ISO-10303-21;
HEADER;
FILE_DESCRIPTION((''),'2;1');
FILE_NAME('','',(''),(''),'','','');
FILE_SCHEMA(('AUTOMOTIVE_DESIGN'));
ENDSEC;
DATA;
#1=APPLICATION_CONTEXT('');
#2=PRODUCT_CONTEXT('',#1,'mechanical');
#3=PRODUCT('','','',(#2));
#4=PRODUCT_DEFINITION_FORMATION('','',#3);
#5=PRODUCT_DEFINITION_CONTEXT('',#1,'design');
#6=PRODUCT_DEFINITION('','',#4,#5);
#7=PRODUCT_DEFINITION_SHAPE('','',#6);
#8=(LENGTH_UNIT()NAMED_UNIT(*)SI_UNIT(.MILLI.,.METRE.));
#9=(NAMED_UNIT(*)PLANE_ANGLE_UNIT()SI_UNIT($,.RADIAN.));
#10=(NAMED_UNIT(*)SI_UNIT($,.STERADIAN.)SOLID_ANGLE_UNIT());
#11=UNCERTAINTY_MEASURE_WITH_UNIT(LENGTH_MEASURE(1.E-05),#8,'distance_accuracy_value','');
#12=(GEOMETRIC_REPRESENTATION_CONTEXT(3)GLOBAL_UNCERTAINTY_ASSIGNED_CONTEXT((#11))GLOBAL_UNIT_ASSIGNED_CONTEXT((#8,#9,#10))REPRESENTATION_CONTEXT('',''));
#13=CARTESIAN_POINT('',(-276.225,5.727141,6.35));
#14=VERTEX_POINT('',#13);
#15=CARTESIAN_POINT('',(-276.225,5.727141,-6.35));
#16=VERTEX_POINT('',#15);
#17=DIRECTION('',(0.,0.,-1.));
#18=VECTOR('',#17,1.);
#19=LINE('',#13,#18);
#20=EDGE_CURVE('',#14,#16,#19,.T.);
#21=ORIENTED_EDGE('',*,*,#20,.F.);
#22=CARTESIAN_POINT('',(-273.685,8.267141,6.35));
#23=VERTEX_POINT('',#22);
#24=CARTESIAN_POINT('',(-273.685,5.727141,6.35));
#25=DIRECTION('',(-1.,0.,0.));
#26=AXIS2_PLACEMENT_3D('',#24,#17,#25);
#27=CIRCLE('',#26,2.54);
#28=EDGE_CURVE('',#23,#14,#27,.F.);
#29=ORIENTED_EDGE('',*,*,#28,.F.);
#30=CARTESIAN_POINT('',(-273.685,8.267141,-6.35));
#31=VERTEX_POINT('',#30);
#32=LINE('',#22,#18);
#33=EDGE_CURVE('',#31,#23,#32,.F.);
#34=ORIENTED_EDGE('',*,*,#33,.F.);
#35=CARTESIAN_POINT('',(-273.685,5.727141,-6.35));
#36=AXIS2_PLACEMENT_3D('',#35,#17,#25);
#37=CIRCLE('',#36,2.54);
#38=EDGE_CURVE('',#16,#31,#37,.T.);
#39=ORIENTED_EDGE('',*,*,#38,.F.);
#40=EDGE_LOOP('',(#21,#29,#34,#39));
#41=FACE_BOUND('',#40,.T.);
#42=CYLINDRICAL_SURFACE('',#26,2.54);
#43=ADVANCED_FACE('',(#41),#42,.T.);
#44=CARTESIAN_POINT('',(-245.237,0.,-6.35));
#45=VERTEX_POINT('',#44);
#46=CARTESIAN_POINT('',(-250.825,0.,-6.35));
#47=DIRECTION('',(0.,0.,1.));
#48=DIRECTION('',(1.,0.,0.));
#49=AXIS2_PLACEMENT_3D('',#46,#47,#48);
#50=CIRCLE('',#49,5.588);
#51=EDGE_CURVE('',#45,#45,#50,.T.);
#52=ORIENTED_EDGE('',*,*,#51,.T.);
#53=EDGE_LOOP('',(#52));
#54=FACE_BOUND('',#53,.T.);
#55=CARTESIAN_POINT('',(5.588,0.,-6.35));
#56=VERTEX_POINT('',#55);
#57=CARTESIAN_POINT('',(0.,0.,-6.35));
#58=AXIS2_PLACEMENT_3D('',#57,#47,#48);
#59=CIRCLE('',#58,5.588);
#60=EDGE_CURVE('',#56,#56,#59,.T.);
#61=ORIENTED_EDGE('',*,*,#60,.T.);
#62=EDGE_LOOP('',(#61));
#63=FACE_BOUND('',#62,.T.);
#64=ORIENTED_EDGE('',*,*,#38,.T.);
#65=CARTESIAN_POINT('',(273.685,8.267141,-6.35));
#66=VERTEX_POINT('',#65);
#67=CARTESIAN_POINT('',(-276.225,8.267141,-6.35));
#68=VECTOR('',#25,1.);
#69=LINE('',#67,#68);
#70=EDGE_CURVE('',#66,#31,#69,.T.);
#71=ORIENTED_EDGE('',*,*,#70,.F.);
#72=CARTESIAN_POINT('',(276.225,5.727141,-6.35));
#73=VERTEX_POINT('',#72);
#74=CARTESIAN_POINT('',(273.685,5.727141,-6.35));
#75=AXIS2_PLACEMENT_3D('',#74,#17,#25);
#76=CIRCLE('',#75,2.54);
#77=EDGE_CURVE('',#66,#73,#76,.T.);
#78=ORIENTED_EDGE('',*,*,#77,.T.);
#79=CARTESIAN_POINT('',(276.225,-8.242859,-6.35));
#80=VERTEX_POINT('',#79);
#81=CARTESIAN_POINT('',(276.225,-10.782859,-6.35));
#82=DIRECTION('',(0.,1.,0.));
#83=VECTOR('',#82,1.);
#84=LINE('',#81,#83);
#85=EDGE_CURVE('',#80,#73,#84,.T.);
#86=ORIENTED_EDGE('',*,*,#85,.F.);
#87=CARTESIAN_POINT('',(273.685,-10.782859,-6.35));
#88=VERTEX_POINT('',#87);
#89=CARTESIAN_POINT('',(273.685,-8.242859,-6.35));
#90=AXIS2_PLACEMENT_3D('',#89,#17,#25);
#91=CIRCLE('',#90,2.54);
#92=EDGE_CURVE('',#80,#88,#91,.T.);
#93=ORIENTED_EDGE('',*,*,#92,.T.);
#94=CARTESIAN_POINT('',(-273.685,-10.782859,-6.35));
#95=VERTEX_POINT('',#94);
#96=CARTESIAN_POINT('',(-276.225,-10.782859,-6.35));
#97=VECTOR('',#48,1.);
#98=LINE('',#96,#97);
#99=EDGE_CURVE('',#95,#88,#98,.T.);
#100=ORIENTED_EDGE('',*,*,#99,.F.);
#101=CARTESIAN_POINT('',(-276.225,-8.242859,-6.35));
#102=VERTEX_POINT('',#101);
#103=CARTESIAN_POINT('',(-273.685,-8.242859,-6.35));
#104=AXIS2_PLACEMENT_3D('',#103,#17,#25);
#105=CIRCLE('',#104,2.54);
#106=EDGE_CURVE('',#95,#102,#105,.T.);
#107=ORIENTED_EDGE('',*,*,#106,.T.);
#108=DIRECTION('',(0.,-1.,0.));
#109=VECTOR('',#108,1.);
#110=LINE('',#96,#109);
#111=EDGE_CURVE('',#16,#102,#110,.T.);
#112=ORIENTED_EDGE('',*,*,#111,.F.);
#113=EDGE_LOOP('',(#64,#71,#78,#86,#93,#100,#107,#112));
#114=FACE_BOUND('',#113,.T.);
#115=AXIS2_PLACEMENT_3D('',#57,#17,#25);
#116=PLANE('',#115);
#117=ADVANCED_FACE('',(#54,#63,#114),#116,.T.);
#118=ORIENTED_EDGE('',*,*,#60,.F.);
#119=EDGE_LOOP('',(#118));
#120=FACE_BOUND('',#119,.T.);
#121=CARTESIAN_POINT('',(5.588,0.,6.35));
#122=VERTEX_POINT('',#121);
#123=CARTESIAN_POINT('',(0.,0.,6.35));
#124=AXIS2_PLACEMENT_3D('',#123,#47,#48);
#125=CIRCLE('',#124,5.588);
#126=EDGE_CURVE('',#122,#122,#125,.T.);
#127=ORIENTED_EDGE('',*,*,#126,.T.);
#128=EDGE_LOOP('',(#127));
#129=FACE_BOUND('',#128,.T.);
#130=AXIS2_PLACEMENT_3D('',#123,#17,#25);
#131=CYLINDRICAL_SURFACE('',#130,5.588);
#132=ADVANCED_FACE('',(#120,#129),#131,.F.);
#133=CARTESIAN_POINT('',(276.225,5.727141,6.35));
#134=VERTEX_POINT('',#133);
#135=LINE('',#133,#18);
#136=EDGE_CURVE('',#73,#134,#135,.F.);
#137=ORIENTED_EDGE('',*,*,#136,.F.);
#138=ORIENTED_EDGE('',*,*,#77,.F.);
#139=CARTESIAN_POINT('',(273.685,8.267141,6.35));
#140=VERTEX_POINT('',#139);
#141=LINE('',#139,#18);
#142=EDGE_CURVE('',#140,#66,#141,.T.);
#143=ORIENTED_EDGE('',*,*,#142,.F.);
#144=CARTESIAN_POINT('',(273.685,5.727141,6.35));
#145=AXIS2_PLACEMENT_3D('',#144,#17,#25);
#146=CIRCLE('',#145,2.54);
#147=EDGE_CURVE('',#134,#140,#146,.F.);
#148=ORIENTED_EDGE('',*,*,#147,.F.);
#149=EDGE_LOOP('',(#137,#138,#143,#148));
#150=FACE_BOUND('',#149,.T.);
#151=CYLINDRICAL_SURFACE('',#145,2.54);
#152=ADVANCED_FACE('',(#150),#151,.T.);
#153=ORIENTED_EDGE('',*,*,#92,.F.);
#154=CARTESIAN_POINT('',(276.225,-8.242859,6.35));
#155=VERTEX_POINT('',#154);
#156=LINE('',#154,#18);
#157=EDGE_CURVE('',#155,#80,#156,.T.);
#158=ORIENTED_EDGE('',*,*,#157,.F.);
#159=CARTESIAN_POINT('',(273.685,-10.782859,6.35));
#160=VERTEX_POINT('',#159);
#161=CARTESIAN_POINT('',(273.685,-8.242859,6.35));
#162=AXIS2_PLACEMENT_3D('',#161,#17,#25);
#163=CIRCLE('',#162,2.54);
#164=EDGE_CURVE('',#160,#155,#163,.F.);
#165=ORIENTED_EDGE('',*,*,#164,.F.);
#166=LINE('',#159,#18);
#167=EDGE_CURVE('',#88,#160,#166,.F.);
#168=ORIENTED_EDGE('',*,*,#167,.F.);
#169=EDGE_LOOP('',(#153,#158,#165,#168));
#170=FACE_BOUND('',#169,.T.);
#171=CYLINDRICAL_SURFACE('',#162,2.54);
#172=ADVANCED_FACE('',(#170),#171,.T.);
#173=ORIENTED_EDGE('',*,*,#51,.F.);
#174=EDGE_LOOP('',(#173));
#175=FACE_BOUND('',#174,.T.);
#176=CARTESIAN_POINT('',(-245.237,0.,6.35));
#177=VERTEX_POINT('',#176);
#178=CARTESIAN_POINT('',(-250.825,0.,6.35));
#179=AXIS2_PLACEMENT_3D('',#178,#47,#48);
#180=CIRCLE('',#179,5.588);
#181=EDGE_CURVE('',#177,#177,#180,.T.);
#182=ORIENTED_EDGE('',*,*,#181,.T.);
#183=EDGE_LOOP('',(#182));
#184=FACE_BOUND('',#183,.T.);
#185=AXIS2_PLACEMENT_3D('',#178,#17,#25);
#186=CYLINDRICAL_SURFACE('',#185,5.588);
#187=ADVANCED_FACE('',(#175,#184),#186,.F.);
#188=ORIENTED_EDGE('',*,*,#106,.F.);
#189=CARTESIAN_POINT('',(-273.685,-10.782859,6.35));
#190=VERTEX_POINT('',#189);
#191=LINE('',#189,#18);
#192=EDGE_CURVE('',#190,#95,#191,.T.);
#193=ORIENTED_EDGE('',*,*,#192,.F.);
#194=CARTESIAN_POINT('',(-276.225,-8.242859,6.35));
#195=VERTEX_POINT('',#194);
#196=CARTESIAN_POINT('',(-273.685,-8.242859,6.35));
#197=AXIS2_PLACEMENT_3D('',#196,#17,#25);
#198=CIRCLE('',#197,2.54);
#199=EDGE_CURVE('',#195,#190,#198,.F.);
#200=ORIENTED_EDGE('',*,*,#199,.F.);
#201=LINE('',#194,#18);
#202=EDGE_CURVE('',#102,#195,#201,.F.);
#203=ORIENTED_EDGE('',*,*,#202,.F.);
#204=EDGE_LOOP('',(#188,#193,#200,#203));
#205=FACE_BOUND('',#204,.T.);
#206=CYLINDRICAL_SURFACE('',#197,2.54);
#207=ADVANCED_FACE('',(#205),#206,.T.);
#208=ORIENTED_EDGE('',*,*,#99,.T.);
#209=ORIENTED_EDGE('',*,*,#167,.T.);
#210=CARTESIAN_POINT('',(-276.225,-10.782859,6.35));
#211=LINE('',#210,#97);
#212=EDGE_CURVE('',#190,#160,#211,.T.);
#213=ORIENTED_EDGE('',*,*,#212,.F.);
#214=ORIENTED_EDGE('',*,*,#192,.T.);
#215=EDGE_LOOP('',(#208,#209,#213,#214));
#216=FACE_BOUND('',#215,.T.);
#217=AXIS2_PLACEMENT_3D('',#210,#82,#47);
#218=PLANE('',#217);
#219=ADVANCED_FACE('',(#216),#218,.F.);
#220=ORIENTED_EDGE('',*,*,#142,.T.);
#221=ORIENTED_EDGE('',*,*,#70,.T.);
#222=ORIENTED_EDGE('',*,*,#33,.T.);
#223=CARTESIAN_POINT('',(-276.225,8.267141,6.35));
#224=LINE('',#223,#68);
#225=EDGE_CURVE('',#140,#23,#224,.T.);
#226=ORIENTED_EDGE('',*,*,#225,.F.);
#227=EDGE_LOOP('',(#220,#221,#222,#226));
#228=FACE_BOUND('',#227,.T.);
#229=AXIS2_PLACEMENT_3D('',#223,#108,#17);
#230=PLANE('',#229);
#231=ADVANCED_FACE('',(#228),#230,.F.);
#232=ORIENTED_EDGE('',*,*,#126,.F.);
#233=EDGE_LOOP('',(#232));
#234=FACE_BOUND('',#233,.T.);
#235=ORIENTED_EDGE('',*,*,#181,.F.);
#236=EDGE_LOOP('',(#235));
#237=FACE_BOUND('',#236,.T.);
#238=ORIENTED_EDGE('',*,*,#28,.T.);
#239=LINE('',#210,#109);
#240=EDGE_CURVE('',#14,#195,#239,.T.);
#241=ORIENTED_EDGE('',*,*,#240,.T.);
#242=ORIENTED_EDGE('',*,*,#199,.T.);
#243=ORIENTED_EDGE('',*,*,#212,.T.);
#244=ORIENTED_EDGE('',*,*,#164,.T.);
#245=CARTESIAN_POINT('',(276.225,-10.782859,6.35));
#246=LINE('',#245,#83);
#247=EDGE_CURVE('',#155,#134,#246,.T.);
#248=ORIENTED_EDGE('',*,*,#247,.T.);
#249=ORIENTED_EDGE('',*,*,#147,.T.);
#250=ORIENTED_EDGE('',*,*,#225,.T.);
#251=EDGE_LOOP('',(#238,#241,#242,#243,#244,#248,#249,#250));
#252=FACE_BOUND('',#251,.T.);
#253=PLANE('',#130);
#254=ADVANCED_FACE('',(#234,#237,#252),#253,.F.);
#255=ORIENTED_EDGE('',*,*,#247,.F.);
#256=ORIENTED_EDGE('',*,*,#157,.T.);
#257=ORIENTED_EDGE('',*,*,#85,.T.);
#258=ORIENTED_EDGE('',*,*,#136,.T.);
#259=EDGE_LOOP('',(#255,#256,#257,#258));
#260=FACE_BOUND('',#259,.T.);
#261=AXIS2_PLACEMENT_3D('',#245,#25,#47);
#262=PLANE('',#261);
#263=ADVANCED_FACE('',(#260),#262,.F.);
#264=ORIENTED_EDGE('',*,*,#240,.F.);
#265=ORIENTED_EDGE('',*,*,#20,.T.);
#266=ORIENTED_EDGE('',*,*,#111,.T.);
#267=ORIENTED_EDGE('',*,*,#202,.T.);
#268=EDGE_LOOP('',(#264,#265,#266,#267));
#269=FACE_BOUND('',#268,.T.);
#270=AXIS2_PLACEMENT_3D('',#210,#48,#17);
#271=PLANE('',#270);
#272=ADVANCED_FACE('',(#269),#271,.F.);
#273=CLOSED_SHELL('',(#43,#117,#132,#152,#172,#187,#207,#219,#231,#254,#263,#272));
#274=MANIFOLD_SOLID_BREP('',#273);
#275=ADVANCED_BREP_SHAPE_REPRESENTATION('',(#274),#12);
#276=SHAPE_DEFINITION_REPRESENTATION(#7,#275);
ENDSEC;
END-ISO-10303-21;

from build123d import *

# Parameters (mm, degrees)
SKETCH1_W           = 552.45
SKETCH1_H           = 19.05
SKETCH1_R           = 5.588
BOSS_EXTRUDE1_DEPTH = 6.35
FILLET1_R           = 2.54


with BuildPart() as part:
    # Sketch1 → Boss-Extrude1 (new, symmetric)
    with BuildSketch(Plane.XY):
        with Locations((0, -1.257859134)):
            Rectangle(SKETCH1_W, SKETCH1_H)
        Circle(SKETCH1_R, mode=Mode.SUBTRACT)
        with Locations((-250.825, 0)):
            Circle(SKETCH1_R, mode=Mode.SUBTRACT)
    extrude(amount=BOSS_EXTRUDE1_DEPTH, both=True)

    # Fillet1
    fillet1_edges = [part.edges().sort_by_distance(p)[0] for p in [
        (276.225, -10.782859134, 0),
        (-276.225, -10.782859134, 0),
        (-276.225, 8.267140866, 0),
        (276.225, 8.267140866, 0),
    ]]
    fillet(fillet1_edges, radius=FILLET1_R)


solid = part.part
